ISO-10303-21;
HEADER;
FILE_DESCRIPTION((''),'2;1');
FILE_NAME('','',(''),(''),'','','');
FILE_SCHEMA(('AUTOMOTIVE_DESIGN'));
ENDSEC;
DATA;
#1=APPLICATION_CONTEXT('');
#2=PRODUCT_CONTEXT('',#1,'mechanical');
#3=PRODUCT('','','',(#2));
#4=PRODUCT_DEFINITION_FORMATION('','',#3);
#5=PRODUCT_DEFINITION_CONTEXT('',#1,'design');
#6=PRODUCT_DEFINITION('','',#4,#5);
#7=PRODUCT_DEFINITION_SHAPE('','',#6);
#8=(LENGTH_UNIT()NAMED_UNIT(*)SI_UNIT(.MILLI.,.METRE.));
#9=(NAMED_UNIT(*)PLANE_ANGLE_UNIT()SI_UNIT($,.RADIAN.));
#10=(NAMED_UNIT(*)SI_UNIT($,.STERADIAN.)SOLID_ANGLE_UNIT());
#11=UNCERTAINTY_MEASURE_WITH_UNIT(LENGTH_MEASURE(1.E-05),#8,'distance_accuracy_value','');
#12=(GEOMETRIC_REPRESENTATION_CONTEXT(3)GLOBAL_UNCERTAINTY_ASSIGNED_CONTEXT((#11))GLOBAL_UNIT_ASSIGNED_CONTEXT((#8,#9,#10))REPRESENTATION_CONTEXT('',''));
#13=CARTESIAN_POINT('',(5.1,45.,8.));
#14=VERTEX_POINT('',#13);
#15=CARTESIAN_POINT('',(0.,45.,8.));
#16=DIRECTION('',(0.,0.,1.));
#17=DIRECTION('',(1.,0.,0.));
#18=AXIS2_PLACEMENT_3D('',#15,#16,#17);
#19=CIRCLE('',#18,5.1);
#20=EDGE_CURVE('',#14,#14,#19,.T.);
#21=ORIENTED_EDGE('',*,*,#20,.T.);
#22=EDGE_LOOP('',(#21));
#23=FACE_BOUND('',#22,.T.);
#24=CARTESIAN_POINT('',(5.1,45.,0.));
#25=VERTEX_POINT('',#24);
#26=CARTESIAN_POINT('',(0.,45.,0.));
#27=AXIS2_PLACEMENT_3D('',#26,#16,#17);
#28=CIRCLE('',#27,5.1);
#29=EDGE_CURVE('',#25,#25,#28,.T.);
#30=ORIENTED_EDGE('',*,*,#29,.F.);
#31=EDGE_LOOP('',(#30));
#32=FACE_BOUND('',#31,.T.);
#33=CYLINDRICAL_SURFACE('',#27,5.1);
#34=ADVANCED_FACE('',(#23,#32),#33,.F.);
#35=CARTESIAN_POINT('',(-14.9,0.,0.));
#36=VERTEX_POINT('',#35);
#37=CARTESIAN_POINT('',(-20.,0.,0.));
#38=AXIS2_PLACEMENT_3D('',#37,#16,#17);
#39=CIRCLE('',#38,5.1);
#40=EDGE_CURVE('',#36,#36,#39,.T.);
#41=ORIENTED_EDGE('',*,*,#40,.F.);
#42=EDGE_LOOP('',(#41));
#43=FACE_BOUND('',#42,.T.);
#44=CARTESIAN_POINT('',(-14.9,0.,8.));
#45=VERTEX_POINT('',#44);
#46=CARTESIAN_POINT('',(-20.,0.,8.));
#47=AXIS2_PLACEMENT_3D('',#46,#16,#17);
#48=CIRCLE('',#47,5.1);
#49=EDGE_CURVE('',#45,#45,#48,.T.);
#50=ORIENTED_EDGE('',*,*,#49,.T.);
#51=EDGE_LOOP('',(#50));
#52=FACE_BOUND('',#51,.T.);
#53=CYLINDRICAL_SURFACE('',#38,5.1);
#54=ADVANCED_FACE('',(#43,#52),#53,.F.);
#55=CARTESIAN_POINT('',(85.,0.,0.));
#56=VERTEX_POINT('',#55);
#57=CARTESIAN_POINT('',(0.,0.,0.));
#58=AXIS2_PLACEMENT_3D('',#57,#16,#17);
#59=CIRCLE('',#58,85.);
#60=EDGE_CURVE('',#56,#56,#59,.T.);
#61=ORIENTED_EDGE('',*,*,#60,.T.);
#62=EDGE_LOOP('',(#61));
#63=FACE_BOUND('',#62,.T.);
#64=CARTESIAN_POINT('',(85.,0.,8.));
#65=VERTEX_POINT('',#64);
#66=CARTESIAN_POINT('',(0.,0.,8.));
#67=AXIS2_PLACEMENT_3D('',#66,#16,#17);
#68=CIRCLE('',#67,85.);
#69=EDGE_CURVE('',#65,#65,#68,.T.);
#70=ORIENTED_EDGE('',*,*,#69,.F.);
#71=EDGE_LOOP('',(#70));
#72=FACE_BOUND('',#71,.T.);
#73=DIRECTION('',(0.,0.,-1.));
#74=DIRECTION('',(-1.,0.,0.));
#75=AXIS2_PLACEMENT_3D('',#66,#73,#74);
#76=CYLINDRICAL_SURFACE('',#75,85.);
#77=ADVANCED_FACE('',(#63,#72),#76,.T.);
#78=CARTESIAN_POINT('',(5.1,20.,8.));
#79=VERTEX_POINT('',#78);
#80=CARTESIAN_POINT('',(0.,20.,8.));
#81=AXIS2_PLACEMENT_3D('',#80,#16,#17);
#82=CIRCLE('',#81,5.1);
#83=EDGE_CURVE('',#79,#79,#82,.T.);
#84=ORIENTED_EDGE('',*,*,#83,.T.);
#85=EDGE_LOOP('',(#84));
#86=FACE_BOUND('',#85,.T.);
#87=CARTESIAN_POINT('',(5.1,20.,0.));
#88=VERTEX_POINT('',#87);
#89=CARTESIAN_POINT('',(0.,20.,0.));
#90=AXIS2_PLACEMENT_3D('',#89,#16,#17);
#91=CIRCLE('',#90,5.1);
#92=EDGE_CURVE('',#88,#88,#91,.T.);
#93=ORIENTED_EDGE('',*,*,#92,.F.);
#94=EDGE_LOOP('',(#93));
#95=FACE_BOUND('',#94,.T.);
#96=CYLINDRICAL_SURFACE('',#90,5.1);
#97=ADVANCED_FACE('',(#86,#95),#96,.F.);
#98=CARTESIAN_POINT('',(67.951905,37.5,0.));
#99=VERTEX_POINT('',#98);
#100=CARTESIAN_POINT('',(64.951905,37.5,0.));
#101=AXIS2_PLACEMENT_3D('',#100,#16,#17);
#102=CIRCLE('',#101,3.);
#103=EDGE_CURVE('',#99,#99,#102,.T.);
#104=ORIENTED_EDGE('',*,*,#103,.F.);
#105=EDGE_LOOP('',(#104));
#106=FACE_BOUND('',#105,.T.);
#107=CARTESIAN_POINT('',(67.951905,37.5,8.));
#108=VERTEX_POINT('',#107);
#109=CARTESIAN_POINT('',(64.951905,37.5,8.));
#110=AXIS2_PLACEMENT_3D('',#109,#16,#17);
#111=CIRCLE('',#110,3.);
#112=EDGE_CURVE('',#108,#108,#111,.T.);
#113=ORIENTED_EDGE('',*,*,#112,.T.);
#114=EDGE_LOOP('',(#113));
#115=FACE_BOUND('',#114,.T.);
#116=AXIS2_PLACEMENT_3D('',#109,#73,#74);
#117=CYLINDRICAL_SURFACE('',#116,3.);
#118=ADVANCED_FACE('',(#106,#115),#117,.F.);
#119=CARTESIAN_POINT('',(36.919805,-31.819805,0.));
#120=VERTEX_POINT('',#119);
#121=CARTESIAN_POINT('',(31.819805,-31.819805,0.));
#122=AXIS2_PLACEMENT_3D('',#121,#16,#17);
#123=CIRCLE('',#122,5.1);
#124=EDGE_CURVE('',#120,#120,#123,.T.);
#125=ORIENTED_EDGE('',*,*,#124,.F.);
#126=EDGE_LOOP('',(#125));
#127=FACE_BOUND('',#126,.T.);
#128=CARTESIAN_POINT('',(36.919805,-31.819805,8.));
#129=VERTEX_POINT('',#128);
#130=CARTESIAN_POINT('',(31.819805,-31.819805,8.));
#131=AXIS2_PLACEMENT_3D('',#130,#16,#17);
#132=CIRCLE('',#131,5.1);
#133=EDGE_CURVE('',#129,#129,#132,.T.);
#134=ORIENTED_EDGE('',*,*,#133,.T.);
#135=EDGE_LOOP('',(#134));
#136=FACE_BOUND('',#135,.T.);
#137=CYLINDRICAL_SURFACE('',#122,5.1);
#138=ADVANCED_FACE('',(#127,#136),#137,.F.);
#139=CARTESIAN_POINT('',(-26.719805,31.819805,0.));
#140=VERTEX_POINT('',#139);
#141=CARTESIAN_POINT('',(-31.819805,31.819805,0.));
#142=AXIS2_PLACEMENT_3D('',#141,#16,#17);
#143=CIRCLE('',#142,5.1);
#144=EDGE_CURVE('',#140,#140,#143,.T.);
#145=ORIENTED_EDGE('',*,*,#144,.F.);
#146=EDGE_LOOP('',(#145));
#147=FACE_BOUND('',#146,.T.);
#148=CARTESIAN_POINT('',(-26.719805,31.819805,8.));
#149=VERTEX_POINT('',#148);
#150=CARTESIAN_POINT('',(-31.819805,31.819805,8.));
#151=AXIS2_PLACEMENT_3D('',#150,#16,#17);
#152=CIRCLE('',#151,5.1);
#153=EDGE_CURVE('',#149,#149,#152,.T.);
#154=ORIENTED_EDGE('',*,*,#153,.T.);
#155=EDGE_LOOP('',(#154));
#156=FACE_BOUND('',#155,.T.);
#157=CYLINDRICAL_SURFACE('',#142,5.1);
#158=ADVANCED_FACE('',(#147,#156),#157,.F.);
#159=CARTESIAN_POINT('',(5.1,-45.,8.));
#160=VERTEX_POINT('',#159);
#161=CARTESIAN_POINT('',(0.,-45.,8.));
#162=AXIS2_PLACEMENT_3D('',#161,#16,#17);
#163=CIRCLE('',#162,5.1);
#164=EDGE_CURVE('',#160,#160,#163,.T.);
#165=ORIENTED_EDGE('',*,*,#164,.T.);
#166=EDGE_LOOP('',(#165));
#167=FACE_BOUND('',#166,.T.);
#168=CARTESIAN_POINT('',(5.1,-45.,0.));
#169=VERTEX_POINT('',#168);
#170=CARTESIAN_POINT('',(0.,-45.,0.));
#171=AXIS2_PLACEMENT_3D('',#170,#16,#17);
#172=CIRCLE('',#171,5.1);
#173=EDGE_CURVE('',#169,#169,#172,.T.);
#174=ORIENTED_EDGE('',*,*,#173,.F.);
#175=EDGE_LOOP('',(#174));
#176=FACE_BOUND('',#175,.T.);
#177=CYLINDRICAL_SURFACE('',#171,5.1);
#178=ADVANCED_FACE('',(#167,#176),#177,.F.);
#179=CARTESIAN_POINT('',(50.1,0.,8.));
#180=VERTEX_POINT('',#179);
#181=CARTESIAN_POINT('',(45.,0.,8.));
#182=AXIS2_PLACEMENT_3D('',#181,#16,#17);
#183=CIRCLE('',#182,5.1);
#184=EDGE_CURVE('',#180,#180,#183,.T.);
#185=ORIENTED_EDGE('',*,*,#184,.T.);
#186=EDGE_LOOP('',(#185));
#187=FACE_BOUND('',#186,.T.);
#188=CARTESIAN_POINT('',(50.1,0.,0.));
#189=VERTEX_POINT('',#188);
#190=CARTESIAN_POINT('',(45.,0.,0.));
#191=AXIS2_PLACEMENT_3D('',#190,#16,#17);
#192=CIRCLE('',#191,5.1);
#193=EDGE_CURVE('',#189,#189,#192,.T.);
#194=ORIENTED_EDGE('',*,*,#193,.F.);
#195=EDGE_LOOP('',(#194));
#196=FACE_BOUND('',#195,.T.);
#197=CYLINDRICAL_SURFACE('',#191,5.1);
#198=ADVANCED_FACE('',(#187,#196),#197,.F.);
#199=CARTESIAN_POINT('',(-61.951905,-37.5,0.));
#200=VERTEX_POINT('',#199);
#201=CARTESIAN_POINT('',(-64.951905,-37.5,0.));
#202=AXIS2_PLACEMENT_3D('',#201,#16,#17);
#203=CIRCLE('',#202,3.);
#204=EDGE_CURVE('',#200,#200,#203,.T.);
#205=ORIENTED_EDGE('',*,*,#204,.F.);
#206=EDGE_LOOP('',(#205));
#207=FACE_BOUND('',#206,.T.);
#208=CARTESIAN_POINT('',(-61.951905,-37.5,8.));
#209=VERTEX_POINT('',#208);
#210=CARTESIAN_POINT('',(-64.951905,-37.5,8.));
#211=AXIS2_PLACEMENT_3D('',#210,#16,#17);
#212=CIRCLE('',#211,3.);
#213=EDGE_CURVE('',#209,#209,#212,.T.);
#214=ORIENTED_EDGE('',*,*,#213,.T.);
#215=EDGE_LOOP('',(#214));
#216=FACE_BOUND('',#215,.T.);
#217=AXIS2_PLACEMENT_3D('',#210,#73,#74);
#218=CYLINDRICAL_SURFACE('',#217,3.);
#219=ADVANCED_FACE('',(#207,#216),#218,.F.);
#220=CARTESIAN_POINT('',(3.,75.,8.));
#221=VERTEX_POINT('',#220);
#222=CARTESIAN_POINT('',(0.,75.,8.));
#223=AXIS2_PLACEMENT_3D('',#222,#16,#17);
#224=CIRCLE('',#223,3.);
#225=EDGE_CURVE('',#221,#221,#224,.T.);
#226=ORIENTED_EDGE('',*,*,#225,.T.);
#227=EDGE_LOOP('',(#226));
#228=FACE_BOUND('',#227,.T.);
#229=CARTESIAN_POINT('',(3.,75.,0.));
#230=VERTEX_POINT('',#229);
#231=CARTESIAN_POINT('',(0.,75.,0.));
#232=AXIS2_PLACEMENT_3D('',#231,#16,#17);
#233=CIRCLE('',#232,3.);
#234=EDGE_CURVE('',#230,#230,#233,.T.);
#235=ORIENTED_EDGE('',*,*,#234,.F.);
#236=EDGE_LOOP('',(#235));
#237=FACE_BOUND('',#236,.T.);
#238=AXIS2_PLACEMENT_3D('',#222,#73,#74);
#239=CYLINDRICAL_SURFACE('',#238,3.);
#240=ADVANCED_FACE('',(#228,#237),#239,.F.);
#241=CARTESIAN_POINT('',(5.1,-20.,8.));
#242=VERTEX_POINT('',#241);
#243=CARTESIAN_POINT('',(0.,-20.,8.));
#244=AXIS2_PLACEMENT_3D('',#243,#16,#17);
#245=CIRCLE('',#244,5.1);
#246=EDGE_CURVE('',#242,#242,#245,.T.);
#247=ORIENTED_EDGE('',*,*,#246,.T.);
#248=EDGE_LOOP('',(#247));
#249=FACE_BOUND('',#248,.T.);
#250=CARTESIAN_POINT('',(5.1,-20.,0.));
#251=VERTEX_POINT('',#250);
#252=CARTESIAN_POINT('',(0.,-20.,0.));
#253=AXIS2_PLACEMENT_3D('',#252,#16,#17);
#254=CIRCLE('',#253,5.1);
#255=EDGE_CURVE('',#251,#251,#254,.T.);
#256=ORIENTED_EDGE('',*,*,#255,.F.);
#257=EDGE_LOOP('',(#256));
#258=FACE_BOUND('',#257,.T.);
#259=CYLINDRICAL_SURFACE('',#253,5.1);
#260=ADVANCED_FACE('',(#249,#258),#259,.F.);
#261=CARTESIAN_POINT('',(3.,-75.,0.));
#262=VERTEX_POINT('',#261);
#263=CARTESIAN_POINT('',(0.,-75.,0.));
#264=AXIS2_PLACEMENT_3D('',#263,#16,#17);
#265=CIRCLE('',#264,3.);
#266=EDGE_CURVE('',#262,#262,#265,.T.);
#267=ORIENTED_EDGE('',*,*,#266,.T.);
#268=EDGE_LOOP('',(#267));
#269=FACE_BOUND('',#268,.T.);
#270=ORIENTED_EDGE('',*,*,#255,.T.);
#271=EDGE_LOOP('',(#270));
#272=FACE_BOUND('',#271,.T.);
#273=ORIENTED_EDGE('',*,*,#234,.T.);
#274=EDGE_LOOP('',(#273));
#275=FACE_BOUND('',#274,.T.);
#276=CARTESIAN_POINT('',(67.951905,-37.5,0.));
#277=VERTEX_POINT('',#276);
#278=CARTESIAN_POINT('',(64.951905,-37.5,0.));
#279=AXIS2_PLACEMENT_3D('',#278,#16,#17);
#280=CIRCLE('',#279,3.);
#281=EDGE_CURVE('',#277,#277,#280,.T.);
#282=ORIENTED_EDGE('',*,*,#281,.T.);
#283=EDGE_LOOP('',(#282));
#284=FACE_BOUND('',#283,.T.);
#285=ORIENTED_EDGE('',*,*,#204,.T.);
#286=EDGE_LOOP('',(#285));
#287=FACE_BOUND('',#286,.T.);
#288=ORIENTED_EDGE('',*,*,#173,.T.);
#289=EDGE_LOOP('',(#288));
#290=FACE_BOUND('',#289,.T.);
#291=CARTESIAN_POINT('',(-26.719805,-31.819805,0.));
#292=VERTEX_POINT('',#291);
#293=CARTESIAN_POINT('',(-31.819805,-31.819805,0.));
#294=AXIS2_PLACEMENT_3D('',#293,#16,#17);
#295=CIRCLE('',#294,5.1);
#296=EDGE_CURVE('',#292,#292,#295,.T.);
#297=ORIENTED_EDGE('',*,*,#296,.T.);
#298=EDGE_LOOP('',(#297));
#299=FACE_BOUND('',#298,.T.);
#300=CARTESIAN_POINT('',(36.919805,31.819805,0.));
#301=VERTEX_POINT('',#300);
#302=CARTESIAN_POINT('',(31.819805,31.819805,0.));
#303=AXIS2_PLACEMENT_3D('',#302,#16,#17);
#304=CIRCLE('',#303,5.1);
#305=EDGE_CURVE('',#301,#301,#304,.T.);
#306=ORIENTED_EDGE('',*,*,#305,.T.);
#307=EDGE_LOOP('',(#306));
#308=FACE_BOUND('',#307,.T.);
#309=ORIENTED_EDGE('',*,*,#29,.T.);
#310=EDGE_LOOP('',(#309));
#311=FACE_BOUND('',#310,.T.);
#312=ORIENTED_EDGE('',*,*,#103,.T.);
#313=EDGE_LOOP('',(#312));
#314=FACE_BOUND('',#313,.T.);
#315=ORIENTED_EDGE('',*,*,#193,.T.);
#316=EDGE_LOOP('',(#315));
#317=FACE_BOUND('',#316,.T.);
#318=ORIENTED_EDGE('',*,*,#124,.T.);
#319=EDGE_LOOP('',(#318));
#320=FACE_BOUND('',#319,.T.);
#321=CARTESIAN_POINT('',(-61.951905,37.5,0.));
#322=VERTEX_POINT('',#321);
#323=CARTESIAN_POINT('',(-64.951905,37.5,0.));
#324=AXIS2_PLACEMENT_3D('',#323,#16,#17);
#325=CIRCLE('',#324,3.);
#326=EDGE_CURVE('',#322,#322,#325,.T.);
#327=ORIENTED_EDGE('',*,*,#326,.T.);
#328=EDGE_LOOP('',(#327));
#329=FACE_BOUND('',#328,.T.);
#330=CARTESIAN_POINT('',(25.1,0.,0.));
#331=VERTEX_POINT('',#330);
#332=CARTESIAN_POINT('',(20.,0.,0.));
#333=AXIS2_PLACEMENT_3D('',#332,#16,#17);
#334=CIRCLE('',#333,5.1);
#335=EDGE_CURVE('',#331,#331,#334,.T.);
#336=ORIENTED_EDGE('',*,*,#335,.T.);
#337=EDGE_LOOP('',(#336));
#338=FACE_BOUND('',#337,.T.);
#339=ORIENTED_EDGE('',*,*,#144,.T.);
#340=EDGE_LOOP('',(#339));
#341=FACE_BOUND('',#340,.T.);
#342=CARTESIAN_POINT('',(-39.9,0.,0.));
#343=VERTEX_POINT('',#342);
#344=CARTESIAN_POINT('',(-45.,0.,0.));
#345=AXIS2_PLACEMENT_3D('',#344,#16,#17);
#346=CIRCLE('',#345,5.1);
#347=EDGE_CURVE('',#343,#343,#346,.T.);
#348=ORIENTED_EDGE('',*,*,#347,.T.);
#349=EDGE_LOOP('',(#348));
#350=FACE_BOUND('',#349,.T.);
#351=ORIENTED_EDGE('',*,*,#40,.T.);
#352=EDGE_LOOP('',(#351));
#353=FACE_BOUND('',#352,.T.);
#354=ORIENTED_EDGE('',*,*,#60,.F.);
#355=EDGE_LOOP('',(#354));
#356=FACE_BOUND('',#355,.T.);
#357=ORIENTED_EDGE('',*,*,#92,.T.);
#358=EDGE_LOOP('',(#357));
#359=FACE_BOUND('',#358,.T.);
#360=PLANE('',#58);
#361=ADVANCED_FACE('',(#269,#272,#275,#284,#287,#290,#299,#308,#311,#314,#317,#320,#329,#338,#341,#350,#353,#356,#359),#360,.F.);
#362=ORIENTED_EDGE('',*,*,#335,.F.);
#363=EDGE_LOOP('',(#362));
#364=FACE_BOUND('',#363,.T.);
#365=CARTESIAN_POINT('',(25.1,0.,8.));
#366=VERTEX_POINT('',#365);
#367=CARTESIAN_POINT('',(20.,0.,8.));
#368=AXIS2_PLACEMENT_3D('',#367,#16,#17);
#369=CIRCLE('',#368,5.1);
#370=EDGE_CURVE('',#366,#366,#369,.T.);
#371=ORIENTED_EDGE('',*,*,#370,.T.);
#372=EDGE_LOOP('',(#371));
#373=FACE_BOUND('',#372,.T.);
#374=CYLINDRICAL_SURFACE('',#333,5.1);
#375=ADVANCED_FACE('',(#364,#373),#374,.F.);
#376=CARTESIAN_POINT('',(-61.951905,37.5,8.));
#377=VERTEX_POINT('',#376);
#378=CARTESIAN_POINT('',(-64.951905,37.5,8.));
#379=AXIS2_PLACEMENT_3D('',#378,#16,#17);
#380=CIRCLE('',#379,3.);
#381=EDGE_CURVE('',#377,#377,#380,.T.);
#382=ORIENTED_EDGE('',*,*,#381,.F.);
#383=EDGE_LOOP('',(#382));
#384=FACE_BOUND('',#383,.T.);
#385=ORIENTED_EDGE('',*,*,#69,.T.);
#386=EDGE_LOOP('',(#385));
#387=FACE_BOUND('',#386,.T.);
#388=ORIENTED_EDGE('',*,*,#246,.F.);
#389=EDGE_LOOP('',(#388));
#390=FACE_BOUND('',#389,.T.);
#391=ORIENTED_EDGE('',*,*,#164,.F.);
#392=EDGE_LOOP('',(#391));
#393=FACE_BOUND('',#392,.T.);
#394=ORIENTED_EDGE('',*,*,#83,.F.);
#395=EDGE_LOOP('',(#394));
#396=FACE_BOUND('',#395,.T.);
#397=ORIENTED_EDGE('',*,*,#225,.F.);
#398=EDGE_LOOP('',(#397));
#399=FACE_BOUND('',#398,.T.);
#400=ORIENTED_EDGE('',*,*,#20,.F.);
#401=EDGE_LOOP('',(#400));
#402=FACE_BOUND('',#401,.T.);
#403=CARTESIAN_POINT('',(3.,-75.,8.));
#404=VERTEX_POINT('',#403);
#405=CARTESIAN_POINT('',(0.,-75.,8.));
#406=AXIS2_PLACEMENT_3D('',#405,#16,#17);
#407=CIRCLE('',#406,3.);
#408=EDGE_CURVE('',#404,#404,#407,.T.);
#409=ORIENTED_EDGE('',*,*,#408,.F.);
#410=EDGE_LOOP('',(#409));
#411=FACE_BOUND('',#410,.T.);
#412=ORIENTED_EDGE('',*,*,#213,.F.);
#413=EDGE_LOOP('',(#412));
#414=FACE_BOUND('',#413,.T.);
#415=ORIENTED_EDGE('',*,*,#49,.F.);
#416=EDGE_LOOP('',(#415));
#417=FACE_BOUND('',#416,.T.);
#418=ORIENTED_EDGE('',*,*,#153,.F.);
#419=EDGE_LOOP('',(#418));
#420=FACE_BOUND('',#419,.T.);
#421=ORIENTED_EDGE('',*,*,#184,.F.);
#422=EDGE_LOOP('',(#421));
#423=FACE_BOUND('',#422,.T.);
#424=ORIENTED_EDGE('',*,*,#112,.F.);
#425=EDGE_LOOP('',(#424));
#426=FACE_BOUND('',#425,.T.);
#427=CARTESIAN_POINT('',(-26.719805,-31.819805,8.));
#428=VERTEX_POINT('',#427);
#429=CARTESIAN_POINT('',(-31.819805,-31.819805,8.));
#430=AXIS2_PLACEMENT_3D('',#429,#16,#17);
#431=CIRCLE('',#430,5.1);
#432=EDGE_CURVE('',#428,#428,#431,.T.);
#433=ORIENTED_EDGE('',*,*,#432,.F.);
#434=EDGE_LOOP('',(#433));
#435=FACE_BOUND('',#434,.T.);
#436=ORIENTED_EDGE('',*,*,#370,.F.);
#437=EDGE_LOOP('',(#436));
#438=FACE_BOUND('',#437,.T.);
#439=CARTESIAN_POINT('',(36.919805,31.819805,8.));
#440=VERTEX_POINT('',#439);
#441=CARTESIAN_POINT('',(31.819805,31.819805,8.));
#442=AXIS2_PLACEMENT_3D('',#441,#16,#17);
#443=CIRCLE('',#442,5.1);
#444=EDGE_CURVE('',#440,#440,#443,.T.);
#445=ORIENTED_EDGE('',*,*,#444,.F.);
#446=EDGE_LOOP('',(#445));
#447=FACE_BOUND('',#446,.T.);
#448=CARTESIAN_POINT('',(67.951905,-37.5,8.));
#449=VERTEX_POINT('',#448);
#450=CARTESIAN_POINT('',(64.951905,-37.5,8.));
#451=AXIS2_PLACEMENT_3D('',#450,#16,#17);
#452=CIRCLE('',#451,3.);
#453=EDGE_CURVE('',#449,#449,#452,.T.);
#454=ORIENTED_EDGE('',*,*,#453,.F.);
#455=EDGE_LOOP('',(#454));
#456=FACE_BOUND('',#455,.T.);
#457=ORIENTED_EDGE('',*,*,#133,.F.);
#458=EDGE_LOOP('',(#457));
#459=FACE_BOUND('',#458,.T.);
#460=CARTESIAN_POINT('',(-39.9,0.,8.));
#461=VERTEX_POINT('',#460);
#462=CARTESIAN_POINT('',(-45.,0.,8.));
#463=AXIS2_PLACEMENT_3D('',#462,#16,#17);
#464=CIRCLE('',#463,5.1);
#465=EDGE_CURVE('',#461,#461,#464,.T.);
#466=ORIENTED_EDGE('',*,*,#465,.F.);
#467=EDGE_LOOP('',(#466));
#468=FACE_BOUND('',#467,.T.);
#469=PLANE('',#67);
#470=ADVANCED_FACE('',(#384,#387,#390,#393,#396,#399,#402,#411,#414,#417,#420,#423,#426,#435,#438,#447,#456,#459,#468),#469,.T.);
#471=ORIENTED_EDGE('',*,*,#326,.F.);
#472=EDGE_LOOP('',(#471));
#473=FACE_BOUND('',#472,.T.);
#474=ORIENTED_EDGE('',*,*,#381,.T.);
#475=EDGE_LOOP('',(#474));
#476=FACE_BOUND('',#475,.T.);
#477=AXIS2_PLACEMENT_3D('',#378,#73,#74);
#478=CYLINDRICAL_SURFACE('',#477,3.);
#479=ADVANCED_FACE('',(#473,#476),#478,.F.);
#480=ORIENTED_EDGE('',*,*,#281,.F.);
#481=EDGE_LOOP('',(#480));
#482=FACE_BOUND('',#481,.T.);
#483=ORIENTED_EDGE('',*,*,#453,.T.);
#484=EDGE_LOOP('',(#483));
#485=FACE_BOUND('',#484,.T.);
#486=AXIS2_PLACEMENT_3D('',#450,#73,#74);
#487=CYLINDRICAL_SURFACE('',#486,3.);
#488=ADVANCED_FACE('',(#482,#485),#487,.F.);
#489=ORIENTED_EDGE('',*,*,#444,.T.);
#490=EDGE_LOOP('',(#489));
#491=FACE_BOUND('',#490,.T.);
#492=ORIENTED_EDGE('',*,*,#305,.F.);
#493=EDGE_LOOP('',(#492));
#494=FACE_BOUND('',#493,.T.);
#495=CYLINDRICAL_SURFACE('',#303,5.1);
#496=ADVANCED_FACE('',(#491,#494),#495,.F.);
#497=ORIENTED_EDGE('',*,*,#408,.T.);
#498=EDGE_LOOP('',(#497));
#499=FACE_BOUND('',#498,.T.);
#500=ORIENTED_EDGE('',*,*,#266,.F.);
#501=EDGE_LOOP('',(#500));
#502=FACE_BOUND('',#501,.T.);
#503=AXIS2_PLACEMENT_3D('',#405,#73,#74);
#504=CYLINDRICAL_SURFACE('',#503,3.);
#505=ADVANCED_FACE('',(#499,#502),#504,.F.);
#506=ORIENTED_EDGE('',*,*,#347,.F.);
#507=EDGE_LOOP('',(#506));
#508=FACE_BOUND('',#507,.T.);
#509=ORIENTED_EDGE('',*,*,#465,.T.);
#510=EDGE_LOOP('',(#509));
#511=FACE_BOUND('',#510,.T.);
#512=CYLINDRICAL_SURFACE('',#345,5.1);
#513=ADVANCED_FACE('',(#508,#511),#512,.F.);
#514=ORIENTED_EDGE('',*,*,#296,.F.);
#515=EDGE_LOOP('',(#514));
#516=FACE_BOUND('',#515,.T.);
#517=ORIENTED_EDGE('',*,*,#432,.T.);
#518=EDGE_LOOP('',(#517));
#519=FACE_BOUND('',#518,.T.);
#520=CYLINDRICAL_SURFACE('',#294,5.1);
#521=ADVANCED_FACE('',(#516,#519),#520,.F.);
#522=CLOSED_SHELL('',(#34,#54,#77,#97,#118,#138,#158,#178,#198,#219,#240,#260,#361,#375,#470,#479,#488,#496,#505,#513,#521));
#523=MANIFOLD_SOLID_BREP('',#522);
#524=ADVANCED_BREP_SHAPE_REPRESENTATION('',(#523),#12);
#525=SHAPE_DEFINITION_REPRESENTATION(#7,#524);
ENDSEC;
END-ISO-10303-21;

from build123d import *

# Parameters (mm, degrees)
SKETCH_1_R          = 85
SKETCH_1_R_2        = 3
EXTRUDE_1_DEPTH     = 8
SKETCH_2_R          = 5.1
CUT_EXTRUDE_1_DEPTH = 121.474063599


with BuildPart() as part:
    # 草图1 → 凸台-拉伸1 (new body)
    with BuildSketch(Plane.XY):
        Circle(SKETCH_1_R)
        with Locations((0, 75)):
            Circle(SKETCH_1_R_2, mode=Mode.SUBTRACT)
        with Locations((64.951905284, 37.5)):
            Circle(SKETCH_1_R_2, mode=Mode.SUBTRACT)
        with Locations((64.951905284, -37.5)):
            Circle(SKETCH_1_R_2, mode=Mode.SUBTRACT)
        with Locations((0, -75)):
            Circle(SKETCH_1_R_2, mode=Mode.SUBTRACT)
        with Locations((-64.951905284, -37.5)):
            Circle(SKETCH_1_R_2, mode=Mode.SUBTRACT)
        with Locations((-64.951905284, 37.5)):
            Circle(SKETCH_1_R_2, mode=Mode.SUBTRACT)
    extrude(amount=EXTRUDE_1_DEPTH)

    # 草图2 → 切除-拉伸1 (cut, through all)
    with BuildSketch(Plane.XY.offset(8)):
        with Locations((0, 45)):
            Circle(SKETCH_2_R)
        with Locations((31.819805153, 31.819805153)):
            Circle(SKETCH_2_R)
        with Locations((45, 0)):
            Circle(SKETCH_2_R)
        with Locations((31.819805153, -31.819805153)):
            Circle(SKETCH_2_R)
        with Locations((0, -45)):
            Circle(SKETCH_2_R)
        with Locations((-31.819805153, -31.819805153)):
            Circle(SKETCH_2_R)
        with Locations((-45, 0)):
            Circle(SKETCH_2_R)
        with Locations((-31.819805153, 31.819805153)):
            Circle(SKETCH_2_R)
        with Locations((0, 20)):
            Circle(SKETCH_2_R)
        with Locations((20, 0)):
            Circle(SKETCH_2_R)
        with Locations((0, -20)):
            Circle(SKETCH_2_R)
        with Locations((-20, 0)):
            Circle(SKETCH_2_R)
    extrude(amount=-CUT_EXTRUDE_1_DEPTH, mode=Mode.SUBTRACT)


solid = part.part
